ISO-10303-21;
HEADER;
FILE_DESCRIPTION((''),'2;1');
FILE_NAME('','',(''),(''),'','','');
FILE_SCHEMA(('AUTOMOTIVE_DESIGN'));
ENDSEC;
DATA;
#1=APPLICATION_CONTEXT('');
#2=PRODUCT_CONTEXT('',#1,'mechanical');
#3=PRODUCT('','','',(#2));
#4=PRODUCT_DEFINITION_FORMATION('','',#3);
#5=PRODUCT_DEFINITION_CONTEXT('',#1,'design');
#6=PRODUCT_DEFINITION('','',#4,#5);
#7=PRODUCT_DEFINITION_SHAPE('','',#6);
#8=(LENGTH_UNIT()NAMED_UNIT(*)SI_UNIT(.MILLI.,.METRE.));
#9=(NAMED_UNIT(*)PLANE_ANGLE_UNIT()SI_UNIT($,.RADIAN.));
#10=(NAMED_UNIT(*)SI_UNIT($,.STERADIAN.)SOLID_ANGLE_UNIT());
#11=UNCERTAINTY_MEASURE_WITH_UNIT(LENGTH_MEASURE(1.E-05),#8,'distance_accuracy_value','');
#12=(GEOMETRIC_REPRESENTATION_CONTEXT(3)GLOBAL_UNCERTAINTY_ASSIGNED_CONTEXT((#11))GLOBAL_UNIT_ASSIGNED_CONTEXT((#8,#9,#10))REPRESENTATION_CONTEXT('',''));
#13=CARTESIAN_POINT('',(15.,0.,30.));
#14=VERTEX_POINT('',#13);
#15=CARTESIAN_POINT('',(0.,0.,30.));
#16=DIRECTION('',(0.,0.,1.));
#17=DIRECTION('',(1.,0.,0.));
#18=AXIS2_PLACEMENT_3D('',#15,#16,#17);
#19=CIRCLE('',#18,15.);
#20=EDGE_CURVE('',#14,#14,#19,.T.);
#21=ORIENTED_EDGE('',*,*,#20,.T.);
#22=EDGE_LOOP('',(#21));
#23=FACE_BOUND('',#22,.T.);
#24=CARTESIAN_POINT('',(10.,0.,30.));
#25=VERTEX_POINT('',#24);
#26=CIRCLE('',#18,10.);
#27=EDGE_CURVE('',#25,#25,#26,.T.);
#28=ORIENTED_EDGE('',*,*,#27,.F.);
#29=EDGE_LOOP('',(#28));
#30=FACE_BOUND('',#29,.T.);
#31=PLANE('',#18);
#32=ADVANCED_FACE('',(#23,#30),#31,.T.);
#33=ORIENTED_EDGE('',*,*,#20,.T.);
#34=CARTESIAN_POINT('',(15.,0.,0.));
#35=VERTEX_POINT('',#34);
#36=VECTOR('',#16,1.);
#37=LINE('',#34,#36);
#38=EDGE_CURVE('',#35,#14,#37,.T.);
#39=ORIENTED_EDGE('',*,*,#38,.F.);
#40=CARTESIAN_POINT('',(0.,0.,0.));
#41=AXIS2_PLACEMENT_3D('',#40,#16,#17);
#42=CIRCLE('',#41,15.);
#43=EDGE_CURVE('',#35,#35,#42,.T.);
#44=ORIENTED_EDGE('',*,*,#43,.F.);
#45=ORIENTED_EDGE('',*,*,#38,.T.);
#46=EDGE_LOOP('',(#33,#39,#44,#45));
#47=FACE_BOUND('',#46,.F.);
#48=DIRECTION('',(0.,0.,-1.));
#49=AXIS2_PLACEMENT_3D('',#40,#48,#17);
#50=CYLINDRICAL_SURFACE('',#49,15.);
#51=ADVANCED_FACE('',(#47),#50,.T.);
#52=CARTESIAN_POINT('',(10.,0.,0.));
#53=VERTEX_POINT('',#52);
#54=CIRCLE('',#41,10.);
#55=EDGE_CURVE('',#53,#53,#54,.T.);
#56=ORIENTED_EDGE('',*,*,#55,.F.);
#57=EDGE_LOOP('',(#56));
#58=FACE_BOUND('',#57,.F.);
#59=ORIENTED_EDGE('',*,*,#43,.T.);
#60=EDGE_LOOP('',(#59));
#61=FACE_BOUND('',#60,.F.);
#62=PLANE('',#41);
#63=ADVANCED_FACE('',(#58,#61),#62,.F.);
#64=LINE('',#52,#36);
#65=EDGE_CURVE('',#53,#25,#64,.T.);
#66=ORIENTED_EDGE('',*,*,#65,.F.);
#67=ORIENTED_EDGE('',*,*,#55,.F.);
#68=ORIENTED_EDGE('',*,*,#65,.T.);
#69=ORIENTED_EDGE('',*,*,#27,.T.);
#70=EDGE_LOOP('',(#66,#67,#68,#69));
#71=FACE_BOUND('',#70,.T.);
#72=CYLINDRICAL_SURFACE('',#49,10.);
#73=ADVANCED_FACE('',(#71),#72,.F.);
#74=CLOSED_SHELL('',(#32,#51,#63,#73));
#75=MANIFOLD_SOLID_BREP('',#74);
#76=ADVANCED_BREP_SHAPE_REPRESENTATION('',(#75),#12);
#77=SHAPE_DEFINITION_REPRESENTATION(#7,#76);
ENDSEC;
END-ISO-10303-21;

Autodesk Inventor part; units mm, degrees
ref_plane "YZ Plane" through (0, 0, 0) normal (1, 0, 0) x (0, 1, 0)
ref_plane "XZ Plane" through (0, 0, 0) normal (0, 1, 0) x (-1, 0, 0)
ref_plane "XY Plane" through (0, 0, 0) normal (0, 0, 1) x (1, 0, 0)
sketch "Boceto1" plane through (0, 0, 0) normal (0, 0, 1) x (1, 0, 0)
  circle A0 centre (0, 0) radius 10
  circle A1 centre (0, 0) radius 15
  dimension "d0" = 20
  dimension "d1" = 30
extrude "Extrusión1" add sketch "Boceto1" along normal blind 30
properties part number "ancla"
